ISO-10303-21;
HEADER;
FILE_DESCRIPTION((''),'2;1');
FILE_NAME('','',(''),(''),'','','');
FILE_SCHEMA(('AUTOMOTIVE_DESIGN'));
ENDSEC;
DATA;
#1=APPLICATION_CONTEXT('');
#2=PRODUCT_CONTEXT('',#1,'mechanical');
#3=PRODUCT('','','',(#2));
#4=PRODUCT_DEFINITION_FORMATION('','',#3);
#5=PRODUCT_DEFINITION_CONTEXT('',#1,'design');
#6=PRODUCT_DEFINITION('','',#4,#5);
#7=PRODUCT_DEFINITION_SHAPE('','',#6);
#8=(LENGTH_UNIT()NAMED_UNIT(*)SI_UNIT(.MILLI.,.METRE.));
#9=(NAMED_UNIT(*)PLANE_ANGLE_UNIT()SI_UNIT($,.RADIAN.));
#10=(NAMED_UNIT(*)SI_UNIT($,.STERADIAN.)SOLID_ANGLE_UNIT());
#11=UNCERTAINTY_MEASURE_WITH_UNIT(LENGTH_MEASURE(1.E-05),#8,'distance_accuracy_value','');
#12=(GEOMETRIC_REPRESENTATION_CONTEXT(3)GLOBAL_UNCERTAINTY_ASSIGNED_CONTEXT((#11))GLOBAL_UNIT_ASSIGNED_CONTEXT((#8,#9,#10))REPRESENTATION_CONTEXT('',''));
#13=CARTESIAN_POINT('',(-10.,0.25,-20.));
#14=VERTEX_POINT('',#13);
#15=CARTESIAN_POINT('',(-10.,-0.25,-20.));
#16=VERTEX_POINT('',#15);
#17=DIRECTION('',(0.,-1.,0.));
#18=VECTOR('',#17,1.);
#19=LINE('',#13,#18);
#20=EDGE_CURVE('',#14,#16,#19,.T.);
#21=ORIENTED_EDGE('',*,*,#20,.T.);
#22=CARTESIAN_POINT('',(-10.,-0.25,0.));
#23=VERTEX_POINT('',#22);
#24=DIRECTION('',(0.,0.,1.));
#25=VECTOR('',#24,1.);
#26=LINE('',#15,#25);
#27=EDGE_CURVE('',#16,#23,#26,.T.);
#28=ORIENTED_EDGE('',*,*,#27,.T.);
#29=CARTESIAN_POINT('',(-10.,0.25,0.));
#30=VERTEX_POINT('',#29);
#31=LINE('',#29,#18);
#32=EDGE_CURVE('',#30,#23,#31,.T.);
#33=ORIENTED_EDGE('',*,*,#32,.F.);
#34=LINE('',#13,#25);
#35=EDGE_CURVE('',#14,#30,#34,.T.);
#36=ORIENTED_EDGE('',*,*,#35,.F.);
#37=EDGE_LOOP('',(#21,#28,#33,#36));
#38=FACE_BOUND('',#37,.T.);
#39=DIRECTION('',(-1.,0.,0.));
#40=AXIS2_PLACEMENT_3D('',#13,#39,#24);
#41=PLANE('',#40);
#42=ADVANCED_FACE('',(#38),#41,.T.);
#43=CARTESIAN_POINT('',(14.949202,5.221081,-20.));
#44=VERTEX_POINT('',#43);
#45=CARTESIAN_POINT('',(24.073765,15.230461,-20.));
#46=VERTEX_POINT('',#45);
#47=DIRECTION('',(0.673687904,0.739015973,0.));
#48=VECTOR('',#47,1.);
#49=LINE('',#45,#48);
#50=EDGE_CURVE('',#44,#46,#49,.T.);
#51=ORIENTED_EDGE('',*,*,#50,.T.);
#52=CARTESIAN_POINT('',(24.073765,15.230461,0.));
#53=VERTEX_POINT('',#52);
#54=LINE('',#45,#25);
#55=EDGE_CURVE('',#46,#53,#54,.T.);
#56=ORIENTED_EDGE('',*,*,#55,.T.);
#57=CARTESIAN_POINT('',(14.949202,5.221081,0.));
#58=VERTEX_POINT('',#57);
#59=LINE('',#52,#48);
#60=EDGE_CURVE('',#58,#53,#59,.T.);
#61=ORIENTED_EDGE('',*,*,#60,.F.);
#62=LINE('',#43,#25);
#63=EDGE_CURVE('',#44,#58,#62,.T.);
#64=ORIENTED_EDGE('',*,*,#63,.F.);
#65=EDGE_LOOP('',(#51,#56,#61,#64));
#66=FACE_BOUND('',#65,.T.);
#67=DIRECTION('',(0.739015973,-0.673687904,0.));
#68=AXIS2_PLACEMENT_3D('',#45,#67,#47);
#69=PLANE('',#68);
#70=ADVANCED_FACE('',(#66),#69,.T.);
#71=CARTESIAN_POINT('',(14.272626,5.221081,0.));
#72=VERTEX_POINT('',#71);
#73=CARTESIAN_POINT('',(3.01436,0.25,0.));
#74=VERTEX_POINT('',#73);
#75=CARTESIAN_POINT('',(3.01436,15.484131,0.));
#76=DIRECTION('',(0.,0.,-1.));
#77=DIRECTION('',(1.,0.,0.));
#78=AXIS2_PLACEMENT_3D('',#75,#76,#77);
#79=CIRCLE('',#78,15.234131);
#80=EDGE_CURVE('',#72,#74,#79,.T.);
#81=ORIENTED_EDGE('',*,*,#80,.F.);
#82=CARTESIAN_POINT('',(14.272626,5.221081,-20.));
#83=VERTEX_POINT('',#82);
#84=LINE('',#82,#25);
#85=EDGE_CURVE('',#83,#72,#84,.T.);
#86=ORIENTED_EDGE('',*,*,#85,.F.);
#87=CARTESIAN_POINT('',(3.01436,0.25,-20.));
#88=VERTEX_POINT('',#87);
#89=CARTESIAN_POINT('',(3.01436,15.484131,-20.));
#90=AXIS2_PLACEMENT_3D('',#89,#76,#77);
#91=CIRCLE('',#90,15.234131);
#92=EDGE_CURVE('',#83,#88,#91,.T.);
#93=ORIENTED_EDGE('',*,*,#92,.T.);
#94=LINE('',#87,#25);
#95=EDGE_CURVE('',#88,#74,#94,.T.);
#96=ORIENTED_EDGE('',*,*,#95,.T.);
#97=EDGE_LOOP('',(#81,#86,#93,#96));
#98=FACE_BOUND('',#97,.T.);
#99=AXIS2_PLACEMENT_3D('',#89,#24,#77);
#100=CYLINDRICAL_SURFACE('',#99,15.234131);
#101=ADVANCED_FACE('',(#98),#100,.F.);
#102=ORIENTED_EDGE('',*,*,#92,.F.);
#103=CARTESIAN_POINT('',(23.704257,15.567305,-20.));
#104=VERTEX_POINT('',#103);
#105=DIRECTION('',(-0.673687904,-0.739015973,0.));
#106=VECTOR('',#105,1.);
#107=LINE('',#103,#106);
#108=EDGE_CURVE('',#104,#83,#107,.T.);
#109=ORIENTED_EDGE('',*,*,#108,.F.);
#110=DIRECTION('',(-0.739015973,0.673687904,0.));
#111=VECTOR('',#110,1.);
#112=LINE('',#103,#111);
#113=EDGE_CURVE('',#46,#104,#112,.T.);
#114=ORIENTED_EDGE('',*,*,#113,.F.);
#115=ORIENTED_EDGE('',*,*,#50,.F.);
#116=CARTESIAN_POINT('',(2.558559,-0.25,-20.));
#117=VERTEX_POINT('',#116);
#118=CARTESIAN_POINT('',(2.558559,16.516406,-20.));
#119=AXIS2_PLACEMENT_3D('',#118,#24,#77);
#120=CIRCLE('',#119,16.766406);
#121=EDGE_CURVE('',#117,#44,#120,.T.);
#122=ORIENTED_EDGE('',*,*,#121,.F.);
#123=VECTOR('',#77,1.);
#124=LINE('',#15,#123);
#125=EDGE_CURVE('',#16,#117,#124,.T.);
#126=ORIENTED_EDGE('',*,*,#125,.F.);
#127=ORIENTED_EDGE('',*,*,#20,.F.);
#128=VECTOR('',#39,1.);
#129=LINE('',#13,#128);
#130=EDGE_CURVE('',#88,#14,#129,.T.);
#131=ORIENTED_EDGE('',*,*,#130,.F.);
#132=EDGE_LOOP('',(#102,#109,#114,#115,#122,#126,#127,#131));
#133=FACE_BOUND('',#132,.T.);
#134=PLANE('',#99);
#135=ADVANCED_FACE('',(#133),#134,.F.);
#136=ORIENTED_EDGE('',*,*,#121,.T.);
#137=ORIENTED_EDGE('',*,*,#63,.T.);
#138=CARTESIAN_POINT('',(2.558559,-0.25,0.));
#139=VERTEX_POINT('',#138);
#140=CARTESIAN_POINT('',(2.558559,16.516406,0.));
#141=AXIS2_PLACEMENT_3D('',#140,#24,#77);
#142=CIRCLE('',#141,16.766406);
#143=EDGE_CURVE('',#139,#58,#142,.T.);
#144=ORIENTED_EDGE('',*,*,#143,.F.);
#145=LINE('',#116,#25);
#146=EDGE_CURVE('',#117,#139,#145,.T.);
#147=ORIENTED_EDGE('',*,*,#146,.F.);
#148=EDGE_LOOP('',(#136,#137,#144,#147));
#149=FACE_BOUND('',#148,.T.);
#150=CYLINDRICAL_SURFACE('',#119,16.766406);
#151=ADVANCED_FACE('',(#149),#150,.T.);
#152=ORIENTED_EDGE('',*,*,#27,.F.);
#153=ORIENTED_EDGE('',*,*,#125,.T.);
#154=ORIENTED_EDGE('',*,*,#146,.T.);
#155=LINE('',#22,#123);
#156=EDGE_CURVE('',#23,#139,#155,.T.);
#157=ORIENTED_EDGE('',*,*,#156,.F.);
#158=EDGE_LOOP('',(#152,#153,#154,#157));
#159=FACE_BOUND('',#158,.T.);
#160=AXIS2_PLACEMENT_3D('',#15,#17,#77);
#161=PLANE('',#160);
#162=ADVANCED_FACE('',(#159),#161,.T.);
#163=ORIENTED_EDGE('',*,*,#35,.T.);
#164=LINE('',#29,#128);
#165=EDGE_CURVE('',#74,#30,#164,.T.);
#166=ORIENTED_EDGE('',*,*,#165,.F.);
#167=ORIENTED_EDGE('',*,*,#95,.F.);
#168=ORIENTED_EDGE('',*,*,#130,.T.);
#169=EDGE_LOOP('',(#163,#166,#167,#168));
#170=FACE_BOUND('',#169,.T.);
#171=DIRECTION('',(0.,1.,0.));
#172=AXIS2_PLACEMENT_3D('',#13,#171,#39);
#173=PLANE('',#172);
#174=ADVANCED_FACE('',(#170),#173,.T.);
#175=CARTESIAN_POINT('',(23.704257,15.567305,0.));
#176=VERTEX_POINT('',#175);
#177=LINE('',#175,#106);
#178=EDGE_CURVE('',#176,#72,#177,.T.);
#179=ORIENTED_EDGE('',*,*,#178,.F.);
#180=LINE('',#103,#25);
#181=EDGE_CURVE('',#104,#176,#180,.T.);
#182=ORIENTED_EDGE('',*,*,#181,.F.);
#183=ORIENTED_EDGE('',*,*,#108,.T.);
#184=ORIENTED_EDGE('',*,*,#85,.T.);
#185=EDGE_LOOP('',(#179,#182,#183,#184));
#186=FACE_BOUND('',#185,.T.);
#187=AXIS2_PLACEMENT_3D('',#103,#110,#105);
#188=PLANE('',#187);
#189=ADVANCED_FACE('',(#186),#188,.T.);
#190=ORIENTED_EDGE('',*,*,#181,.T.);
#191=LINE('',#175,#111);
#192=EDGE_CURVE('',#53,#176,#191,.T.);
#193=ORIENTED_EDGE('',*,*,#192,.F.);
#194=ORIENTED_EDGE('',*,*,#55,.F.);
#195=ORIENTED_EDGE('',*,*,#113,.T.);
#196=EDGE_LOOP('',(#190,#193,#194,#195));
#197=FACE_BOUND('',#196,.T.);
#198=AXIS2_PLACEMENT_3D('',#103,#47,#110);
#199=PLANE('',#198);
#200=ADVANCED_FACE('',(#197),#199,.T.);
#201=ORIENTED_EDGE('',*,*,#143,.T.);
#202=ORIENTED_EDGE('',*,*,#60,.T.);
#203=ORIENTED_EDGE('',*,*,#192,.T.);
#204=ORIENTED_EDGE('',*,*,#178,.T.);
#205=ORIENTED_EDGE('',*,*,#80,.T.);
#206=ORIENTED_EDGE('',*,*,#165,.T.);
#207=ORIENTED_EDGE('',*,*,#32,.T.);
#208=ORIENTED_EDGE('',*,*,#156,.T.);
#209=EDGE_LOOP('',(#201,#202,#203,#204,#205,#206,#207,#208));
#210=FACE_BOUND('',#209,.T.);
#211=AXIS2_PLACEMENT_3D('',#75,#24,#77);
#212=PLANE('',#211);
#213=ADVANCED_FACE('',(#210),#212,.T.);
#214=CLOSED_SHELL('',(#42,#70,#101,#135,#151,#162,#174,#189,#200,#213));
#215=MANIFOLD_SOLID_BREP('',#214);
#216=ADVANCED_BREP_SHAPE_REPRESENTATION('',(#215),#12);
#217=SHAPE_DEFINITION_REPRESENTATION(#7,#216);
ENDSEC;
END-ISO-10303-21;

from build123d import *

# Parameters (mm, degrees)
BOSS_EXTRUDE1_DEPTH = 20


with BuildPart() as part:
    # Sketch2 → Boss-Extrude1 (new body)
    with BuildSketch(Plane.XY):
        with BuildLine():
            Line((-10, 0.25), (-10, -0.25))
            Line((-10, -0.25), (2.558559359, -0.25))
            ThreePointArc((2.558559359, -0.25), (9.330943439, 1.178636102), (14.949201571, 5.221081253))
            Line((14.949201571, 5.221081253), (24.073764845, 15.230460925))
            Line((24.073764845, 15.230460925), (23.704256858, 15.567304877))
            Line((23.704256858, 15.567304877), (14.272626208, 5.221081253))
            ThreePointArc((14.272626208, 5.221081253), (9.167818514, 1.548073601), (3.014359997, 0.25))
            Line((3.014359997, 0.25), (-10, 0.25))
        make_face()
    extrude(amount=-BOSS_EXTRUDE1_DEPTH)


solid = part.part
